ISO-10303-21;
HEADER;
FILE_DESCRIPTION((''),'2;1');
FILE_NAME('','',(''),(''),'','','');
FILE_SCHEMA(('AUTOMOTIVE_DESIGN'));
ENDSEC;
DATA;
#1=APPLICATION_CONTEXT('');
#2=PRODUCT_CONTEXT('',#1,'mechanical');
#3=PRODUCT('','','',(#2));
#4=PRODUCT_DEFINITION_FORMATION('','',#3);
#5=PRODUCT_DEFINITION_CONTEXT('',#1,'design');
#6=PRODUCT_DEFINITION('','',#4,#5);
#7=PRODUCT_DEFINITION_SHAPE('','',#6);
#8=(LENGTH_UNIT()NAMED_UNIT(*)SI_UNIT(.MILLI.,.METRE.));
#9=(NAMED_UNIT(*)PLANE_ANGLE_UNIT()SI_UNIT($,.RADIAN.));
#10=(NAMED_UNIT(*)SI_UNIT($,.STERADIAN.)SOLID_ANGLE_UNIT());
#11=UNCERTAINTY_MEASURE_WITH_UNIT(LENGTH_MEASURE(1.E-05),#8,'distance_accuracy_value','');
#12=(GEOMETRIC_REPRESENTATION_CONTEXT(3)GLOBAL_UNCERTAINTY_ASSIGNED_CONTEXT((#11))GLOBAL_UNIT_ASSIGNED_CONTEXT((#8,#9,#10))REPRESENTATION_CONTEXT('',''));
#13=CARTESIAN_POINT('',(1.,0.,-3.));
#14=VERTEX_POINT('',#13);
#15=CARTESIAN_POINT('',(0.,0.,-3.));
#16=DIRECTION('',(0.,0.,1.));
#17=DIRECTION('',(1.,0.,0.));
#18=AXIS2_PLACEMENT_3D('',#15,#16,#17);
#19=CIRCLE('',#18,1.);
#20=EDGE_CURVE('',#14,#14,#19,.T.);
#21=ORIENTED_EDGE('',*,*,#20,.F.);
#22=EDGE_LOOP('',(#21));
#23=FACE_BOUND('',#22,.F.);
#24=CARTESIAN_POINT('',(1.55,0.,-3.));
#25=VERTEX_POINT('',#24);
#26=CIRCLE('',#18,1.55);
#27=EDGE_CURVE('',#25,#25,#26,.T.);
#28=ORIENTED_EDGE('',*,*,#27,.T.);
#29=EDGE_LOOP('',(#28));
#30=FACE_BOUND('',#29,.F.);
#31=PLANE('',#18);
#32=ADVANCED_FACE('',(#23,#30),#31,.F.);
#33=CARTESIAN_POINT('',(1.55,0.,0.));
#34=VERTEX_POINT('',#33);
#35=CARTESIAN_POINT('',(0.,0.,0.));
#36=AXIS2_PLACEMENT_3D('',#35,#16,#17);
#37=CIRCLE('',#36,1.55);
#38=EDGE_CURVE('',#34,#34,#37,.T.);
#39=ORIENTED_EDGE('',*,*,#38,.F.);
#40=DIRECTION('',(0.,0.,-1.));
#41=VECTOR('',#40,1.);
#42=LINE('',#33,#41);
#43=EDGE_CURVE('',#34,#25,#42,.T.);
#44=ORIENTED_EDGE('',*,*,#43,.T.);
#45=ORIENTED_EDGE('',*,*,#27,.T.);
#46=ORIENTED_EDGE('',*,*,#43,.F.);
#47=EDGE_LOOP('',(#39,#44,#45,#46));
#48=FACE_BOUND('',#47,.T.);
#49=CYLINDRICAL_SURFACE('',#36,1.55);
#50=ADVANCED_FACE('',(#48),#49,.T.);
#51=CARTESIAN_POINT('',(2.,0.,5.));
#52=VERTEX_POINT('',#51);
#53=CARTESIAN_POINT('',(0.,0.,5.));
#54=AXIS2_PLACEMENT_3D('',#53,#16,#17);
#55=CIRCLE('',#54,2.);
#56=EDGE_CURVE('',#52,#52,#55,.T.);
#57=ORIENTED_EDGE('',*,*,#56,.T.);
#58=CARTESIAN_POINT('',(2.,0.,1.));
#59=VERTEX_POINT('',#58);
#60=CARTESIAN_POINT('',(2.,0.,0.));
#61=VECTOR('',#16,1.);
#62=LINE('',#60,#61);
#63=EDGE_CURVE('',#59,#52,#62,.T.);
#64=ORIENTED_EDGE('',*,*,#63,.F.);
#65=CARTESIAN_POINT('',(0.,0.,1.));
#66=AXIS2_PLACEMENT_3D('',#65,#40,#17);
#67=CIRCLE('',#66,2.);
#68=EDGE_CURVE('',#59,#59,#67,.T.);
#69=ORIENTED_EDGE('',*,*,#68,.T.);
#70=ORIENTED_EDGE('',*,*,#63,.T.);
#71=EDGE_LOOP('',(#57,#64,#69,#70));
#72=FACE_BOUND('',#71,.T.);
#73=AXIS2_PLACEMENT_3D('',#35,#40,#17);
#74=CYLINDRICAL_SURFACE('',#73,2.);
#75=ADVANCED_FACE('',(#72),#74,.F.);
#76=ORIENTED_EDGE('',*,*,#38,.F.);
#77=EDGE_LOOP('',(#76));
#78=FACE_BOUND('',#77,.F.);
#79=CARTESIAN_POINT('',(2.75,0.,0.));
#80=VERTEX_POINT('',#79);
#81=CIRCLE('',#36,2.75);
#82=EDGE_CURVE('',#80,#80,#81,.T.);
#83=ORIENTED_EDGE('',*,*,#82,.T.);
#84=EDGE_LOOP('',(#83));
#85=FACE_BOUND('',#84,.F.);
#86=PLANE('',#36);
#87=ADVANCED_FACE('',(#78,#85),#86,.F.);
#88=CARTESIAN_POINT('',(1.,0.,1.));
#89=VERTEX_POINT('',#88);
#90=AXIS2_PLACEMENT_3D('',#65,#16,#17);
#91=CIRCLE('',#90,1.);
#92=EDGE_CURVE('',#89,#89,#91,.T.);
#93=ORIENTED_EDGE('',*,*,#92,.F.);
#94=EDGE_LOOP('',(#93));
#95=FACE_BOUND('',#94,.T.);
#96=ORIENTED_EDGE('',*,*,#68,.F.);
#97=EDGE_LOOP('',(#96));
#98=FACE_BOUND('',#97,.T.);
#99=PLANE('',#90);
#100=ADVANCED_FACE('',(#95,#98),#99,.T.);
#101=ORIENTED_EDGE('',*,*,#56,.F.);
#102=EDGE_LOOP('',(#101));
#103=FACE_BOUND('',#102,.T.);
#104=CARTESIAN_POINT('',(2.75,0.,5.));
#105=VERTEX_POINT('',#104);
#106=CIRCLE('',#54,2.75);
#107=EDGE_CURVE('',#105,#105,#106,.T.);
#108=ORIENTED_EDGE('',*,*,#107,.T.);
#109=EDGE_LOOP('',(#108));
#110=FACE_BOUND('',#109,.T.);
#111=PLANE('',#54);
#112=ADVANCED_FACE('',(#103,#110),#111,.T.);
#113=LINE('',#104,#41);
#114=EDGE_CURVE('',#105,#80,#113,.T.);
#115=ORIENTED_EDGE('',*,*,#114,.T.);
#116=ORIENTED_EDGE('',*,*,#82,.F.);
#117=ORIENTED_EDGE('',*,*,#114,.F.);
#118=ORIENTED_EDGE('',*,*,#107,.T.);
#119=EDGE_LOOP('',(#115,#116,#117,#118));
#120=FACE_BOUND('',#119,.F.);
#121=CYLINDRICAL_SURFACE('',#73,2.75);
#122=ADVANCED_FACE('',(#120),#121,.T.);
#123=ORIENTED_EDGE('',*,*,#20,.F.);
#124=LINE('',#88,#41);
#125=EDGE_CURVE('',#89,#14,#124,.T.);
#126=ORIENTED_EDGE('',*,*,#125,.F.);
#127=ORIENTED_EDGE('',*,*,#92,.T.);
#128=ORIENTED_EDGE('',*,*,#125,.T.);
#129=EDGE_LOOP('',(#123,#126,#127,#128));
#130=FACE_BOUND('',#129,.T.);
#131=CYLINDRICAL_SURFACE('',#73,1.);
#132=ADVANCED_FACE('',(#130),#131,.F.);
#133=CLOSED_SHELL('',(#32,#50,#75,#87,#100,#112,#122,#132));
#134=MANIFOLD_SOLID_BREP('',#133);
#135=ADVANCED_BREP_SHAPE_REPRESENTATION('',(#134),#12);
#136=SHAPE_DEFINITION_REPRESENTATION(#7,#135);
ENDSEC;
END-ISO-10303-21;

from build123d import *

# Parameters (mm, degrees)
F0_R     = 2.75
F0_R_2   = 2
F1_DEPTH = 5
F0_R_3   = 1.55
F2_DEPTH = 1
F0_R_4   = 1
F3_DEPTH = 3
F4_DEPTH = 1


with BuildPart() as f1:
    # F0 (on Top) → F1 (new body)
    with BuildSketch(Plane.XY):
        Circle(F0_R)
        Circle(F0_R_2, mode=Mode.SUBTRACT)
    extrude(amount=F1_DEPTH)

    # F0 (on Top) → F2 (join)
    with BuildSketch(Plane.XY):
        Circle(F0_R)
        Circle(F0_R_2, mode=Mode.SUBTRACT)
        Circle(F0_R_2)
        Circle(F0_R_3, mode=Mode.SUBTRACT)
    extrude(amount=F2_DEPTH)

    # F0 (on Top) → F3 (join)
    with BuildSketch(Plane.XY):
        Circle(F0_R_3)
        Circle(F0_R_4, mode=Mode.SUBTRACT)
    extrude(amount=-F3_DEPTH)

    # F0 (on Top) → F4 (join)
    with BuildSketch(Plane.XY):
        Circle(F0_R_3)
        Circle(F0_R_4, mode=Mode.SUBTRACT)
    extrude(amount=F4_DEPTH)


solid = f1.part
